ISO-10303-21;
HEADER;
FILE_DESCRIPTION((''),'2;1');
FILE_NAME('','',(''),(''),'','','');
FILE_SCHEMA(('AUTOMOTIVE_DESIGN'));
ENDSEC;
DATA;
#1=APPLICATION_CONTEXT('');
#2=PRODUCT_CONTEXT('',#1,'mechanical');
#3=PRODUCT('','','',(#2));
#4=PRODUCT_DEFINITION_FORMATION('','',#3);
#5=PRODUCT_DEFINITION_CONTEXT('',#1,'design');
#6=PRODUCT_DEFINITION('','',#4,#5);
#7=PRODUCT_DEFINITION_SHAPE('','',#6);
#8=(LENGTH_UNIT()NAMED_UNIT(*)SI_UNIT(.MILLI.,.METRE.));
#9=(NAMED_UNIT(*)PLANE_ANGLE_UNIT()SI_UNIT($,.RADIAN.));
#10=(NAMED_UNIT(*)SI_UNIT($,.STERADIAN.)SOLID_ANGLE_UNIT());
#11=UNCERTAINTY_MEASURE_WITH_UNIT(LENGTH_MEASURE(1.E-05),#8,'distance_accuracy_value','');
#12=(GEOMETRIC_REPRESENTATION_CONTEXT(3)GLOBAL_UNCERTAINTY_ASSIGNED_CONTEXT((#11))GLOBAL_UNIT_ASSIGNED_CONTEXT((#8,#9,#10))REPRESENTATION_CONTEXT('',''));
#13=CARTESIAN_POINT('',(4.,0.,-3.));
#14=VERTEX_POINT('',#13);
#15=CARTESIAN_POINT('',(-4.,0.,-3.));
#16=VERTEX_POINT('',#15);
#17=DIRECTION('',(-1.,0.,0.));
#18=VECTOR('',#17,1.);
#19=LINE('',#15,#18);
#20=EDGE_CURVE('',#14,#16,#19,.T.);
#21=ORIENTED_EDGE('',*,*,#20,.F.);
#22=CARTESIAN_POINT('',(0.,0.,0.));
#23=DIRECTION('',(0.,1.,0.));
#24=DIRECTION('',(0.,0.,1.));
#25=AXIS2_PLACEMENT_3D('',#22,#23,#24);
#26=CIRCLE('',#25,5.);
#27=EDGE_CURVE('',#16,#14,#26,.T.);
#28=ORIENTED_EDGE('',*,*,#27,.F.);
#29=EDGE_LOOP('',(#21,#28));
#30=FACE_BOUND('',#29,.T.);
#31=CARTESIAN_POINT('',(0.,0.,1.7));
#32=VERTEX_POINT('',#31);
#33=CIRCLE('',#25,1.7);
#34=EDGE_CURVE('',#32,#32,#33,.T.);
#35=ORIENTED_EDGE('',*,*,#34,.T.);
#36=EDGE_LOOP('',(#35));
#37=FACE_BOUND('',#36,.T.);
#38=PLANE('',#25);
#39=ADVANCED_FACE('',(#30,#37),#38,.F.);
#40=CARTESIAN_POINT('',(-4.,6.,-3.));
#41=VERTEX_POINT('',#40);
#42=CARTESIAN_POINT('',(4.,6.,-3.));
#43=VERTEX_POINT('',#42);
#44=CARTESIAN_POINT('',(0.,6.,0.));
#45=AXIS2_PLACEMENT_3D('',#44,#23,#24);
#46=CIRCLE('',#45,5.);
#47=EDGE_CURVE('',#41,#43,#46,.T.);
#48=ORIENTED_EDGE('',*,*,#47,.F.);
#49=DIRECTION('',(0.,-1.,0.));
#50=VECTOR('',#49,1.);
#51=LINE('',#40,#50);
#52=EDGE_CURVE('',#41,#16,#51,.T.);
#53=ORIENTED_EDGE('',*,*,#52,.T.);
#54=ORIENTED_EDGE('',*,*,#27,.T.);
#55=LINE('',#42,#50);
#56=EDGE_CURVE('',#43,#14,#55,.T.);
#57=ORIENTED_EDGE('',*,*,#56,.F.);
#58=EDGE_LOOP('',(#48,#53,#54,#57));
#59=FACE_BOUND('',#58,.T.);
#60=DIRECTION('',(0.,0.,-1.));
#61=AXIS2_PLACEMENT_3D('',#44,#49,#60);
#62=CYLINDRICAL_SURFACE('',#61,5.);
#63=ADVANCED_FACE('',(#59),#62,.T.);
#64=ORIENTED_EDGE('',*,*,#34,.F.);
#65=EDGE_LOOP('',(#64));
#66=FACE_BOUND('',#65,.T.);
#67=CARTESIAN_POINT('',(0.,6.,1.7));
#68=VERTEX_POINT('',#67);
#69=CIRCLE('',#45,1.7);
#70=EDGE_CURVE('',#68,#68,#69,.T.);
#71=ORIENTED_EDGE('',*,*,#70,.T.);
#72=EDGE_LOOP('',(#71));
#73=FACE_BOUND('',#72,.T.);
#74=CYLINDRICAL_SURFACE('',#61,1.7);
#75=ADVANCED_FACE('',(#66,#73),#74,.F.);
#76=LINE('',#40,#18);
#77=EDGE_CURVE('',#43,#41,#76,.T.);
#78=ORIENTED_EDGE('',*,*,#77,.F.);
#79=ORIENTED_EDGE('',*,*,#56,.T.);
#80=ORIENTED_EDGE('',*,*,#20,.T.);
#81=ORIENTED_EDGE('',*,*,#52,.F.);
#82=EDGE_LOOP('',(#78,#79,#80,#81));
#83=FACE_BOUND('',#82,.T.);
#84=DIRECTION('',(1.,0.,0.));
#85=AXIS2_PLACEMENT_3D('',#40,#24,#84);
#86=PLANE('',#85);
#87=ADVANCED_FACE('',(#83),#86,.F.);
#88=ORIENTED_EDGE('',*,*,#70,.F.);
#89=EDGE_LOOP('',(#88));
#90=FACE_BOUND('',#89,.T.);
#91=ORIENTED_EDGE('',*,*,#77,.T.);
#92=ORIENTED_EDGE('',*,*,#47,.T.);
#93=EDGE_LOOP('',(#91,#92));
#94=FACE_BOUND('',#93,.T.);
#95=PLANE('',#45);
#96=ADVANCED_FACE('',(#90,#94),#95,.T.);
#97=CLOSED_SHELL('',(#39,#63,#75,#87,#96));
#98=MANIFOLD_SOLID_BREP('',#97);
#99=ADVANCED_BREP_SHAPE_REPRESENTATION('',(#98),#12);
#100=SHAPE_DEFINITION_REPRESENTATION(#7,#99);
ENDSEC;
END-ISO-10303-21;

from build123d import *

# Parameters (mm, degrees)
SKETCH1_R           = 1.7
BOSS_EXTRUDE1_DEPTH = 6


with BuildPart() as part:
    # Sketch1 → Boss-Extrude1 (new body)
    with BuildSketch(Plane(origin=(0, 0, 0), x_dir=(1, 0, 0), z_dir=(0, 1, 0))):
        with BuildLine():
            Line((-4, 3), (4, 3))
            ThreePointArc((4, 3), (0, -5), (-4, 3))
        make_face()
        with Locations(Location((0, 0, 0), (0, 0, 270))):
            Circle(SKETCH1_R, mode=Mode.SUBTRACT)
    extrude(amount=BOSS_EXTRUDE1_DEPTH)


solid = part.part
